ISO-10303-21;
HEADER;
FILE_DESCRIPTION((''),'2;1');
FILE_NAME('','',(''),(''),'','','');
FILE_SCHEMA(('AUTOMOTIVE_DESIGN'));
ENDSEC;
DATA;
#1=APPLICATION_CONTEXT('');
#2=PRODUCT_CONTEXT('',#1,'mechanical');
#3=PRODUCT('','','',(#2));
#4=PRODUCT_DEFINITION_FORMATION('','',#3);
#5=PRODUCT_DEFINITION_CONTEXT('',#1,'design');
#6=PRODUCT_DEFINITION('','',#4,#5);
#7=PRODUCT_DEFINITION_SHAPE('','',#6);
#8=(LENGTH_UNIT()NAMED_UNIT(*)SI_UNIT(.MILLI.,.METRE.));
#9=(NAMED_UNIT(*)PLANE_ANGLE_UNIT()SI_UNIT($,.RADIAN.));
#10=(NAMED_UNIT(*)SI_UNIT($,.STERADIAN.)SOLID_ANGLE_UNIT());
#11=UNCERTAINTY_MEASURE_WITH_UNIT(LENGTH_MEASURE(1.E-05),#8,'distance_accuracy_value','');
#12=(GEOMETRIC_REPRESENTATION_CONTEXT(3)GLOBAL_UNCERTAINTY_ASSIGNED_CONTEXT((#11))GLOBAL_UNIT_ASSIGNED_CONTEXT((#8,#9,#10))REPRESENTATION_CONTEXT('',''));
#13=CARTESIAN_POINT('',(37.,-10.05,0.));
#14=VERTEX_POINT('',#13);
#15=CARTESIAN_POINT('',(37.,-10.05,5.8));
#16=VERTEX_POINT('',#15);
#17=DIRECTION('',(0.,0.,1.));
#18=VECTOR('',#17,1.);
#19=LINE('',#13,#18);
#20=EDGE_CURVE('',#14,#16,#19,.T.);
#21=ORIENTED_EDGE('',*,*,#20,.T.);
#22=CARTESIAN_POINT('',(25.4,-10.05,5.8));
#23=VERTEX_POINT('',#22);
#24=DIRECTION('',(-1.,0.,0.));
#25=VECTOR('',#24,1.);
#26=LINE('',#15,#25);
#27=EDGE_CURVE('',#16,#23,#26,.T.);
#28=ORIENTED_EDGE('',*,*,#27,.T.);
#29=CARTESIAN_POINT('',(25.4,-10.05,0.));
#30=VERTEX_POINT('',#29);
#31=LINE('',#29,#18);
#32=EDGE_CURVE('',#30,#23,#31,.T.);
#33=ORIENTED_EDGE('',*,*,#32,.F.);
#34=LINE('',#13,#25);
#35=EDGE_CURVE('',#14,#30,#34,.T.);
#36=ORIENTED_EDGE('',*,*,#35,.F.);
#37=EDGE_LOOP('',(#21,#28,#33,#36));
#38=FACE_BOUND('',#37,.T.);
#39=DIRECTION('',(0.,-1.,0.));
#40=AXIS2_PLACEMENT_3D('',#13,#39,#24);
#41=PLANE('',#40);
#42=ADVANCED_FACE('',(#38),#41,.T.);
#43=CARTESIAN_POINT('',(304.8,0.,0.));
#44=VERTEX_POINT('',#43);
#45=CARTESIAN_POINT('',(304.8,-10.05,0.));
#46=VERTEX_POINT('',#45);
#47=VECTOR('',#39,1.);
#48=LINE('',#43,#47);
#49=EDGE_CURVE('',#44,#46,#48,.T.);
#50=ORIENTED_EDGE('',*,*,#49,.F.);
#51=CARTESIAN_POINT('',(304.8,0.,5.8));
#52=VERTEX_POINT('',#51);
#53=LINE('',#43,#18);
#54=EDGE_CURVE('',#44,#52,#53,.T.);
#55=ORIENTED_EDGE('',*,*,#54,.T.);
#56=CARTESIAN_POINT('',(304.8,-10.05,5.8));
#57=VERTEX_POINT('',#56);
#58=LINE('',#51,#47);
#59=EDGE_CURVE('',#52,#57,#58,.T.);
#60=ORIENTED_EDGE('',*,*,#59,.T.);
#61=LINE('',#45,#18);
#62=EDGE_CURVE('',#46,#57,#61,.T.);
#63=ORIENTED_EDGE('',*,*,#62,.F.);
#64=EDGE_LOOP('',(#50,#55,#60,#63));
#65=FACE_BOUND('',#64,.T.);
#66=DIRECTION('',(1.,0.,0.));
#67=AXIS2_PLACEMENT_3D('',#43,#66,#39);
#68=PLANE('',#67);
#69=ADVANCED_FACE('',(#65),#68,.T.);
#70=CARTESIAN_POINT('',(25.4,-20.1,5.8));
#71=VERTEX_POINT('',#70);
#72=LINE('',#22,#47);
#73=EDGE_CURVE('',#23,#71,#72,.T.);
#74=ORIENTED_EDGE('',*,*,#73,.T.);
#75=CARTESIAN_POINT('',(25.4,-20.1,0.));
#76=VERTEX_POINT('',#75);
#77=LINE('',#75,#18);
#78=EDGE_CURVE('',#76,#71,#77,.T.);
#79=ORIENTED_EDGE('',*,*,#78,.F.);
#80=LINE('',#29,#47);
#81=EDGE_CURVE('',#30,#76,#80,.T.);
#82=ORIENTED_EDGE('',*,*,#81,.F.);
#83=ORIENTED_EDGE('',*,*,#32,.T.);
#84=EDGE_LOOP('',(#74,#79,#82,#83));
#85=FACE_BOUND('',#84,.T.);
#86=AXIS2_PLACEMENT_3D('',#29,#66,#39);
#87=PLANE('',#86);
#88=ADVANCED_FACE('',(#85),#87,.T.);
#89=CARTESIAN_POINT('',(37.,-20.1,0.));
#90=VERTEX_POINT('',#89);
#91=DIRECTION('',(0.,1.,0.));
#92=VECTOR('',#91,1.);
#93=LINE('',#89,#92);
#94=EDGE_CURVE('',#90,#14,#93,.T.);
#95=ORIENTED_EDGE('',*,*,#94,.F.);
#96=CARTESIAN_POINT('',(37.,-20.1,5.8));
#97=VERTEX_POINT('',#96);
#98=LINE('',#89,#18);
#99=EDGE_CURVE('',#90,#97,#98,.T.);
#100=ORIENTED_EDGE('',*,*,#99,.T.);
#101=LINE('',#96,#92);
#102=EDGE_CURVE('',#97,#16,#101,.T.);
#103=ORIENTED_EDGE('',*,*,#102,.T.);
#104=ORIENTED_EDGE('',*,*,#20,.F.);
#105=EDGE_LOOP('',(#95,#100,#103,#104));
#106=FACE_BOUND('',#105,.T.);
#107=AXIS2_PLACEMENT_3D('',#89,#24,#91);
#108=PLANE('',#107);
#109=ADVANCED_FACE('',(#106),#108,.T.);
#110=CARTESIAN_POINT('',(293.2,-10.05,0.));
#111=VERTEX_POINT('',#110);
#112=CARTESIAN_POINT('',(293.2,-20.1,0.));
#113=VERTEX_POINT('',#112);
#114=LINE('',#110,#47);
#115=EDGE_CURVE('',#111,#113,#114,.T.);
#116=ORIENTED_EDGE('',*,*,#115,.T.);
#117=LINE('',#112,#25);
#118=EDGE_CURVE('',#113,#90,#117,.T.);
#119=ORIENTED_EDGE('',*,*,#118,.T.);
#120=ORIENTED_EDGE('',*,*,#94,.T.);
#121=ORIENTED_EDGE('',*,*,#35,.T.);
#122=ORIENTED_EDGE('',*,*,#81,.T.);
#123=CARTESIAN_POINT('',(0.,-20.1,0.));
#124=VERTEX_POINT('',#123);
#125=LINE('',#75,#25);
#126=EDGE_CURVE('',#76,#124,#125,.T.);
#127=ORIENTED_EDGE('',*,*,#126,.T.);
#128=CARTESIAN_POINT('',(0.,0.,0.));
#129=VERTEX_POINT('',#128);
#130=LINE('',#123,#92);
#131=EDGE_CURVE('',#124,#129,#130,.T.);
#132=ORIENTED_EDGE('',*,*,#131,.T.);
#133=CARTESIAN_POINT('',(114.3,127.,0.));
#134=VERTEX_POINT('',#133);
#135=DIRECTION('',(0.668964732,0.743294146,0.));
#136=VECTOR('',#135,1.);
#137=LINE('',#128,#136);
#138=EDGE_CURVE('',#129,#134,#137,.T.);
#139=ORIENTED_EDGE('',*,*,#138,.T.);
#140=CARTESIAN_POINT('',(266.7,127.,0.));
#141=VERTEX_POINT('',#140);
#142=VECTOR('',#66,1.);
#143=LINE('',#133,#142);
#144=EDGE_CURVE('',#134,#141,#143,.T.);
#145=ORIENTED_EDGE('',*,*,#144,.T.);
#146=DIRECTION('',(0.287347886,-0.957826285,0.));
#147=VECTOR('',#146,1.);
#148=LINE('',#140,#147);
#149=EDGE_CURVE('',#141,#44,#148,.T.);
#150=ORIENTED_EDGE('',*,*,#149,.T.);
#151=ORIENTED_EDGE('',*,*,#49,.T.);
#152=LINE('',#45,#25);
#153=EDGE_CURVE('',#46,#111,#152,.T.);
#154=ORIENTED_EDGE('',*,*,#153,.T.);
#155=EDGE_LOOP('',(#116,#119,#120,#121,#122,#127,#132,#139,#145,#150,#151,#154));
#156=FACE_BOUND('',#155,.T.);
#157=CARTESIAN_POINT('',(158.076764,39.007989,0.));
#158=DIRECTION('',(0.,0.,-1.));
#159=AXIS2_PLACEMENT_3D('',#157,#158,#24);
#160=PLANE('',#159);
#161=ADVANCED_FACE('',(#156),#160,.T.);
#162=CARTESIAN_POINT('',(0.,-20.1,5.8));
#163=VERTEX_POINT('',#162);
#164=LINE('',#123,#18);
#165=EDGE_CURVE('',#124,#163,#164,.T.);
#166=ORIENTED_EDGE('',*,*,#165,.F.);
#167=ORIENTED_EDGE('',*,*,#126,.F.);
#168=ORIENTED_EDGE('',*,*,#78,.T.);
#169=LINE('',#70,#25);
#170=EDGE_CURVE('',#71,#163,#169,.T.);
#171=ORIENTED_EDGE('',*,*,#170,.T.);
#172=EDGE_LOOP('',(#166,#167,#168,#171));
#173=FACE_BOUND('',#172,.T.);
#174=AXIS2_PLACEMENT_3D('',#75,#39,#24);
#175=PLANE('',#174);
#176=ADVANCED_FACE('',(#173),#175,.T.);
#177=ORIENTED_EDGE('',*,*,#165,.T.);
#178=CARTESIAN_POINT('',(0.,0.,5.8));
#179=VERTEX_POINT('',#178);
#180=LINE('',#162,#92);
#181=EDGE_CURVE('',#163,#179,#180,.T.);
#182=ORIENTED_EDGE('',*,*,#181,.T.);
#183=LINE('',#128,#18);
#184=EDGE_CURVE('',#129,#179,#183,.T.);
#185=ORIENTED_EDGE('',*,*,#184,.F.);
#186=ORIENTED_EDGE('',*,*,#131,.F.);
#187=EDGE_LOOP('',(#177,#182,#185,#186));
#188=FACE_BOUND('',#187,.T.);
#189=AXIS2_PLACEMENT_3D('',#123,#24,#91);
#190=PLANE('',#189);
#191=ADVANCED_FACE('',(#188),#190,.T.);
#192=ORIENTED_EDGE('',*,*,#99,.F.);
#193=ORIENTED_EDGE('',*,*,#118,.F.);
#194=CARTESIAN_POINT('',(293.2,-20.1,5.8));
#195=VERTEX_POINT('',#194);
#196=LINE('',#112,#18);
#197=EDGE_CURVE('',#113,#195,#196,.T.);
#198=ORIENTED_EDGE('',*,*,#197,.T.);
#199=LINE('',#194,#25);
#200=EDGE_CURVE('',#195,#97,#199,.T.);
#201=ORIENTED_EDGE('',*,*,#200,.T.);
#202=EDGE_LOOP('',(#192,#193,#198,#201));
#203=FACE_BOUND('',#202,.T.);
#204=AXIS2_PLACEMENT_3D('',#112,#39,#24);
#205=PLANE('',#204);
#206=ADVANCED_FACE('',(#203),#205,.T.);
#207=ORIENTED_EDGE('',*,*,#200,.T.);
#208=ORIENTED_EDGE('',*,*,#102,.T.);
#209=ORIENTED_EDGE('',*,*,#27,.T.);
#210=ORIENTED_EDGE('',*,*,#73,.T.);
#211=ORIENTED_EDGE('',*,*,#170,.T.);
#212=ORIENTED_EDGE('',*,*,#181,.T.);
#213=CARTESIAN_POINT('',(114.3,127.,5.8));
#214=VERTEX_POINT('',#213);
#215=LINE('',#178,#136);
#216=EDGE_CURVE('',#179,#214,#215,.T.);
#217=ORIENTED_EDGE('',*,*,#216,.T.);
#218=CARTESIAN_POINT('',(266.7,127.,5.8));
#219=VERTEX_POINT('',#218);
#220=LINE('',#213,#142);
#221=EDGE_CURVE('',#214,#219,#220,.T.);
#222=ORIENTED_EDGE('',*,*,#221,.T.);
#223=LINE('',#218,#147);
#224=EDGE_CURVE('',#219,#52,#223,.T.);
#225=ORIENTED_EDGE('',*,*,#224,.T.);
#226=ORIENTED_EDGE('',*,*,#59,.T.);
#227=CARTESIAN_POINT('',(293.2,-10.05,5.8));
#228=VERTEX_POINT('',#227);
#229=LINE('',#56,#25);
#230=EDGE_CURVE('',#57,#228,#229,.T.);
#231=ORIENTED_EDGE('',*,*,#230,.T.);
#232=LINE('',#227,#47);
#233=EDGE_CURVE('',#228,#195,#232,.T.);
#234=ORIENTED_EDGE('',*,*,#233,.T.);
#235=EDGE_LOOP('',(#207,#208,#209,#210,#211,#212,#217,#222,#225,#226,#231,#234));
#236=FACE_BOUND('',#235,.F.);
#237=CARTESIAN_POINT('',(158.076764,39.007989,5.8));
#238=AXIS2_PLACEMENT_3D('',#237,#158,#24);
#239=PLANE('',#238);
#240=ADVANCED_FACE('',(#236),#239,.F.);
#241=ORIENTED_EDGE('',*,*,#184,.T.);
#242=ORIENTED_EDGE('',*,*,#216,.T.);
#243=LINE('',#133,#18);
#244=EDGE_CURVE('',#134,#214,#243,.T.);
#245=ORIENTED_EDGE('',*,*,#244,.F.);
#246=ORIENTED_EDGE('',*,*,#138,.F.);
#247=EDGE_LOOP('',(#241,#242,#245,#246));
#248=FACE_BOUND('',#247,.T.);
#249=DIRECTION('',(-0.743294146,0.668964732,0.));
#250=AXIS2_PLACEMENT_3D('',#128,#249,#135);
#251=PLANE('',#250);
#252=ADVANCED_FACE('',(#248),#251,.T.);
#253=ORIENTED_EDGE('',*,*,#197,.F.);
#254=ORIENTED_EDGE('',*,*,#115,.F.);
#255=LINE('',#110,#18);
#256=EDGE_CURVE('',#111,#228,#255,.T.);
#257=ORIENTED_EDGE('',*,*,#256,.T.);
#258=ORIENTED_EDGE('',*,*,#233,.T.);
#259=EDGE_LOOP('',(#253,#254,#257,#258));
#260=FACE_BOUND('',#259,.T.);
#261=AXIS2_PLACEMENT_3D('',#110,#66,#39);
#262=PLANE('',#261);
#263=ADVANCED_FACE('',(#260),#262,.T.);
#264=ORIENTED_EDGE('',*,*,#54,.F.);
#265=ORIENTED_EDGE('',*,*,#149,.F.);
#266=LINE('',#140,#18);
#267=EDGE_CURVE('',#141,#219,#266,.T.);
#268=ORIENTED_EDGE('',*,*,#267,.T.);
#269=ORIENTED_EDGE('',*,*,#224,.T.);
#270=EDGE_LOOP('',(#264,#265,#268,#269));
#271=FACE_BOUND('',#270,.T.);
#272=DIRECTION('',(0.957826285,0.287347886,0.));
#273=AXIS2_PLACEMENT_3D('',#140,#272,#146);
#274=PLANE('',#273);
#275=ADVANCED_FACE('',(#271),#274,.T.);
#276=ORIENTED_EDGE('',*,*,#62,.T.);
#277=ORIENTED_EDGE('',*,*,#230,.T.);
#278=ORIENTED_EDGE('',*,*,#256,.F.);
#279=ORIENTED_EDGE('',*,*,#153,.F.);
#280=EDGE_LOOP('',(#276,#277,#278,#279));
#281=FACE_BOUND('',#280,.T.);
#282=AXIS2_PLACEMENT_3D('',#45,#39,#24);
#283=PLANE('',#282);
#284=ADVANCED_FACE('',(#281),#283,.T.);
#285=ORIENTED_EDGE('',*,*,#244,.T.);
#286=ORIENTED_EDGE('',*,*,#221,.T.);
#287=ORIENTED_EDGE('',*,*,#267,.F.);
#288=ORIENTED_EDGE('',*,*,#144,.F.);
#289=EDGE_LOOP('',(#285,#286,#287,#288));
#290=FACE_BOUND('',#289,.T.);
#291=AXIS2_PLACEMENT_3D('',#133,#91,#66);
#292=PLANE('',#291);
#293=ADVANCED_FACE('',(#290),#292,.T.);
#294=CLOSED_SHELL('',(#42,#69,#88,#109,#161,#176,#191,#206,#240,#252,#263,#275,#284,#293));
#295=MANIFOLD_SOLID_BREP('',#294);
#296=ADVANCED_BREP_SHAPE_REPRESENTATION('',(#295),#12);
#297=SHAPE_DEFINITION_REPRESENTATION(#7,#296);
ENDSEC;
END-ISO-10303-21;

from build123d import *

# Parameters (mm, degrees)
PAD_DEPTH = 5.8


with BuildPart() as part:
    # Sketch → Pad (new body)
    with BuildSketch(Plane.XY):
        Polygon((0, -20.1), (0, 0), (114.3, 127), (266.7, 127), (304.8, 0), (304.8, -10.05), (293.2, -10.05), (293.2, -20.1), (37, -20.1), (37, -10.05), (25.4, -10.05), (25.4, -20.1), align=None)
    extrude(amount=PAD_DEPTH)


solid = part.part
